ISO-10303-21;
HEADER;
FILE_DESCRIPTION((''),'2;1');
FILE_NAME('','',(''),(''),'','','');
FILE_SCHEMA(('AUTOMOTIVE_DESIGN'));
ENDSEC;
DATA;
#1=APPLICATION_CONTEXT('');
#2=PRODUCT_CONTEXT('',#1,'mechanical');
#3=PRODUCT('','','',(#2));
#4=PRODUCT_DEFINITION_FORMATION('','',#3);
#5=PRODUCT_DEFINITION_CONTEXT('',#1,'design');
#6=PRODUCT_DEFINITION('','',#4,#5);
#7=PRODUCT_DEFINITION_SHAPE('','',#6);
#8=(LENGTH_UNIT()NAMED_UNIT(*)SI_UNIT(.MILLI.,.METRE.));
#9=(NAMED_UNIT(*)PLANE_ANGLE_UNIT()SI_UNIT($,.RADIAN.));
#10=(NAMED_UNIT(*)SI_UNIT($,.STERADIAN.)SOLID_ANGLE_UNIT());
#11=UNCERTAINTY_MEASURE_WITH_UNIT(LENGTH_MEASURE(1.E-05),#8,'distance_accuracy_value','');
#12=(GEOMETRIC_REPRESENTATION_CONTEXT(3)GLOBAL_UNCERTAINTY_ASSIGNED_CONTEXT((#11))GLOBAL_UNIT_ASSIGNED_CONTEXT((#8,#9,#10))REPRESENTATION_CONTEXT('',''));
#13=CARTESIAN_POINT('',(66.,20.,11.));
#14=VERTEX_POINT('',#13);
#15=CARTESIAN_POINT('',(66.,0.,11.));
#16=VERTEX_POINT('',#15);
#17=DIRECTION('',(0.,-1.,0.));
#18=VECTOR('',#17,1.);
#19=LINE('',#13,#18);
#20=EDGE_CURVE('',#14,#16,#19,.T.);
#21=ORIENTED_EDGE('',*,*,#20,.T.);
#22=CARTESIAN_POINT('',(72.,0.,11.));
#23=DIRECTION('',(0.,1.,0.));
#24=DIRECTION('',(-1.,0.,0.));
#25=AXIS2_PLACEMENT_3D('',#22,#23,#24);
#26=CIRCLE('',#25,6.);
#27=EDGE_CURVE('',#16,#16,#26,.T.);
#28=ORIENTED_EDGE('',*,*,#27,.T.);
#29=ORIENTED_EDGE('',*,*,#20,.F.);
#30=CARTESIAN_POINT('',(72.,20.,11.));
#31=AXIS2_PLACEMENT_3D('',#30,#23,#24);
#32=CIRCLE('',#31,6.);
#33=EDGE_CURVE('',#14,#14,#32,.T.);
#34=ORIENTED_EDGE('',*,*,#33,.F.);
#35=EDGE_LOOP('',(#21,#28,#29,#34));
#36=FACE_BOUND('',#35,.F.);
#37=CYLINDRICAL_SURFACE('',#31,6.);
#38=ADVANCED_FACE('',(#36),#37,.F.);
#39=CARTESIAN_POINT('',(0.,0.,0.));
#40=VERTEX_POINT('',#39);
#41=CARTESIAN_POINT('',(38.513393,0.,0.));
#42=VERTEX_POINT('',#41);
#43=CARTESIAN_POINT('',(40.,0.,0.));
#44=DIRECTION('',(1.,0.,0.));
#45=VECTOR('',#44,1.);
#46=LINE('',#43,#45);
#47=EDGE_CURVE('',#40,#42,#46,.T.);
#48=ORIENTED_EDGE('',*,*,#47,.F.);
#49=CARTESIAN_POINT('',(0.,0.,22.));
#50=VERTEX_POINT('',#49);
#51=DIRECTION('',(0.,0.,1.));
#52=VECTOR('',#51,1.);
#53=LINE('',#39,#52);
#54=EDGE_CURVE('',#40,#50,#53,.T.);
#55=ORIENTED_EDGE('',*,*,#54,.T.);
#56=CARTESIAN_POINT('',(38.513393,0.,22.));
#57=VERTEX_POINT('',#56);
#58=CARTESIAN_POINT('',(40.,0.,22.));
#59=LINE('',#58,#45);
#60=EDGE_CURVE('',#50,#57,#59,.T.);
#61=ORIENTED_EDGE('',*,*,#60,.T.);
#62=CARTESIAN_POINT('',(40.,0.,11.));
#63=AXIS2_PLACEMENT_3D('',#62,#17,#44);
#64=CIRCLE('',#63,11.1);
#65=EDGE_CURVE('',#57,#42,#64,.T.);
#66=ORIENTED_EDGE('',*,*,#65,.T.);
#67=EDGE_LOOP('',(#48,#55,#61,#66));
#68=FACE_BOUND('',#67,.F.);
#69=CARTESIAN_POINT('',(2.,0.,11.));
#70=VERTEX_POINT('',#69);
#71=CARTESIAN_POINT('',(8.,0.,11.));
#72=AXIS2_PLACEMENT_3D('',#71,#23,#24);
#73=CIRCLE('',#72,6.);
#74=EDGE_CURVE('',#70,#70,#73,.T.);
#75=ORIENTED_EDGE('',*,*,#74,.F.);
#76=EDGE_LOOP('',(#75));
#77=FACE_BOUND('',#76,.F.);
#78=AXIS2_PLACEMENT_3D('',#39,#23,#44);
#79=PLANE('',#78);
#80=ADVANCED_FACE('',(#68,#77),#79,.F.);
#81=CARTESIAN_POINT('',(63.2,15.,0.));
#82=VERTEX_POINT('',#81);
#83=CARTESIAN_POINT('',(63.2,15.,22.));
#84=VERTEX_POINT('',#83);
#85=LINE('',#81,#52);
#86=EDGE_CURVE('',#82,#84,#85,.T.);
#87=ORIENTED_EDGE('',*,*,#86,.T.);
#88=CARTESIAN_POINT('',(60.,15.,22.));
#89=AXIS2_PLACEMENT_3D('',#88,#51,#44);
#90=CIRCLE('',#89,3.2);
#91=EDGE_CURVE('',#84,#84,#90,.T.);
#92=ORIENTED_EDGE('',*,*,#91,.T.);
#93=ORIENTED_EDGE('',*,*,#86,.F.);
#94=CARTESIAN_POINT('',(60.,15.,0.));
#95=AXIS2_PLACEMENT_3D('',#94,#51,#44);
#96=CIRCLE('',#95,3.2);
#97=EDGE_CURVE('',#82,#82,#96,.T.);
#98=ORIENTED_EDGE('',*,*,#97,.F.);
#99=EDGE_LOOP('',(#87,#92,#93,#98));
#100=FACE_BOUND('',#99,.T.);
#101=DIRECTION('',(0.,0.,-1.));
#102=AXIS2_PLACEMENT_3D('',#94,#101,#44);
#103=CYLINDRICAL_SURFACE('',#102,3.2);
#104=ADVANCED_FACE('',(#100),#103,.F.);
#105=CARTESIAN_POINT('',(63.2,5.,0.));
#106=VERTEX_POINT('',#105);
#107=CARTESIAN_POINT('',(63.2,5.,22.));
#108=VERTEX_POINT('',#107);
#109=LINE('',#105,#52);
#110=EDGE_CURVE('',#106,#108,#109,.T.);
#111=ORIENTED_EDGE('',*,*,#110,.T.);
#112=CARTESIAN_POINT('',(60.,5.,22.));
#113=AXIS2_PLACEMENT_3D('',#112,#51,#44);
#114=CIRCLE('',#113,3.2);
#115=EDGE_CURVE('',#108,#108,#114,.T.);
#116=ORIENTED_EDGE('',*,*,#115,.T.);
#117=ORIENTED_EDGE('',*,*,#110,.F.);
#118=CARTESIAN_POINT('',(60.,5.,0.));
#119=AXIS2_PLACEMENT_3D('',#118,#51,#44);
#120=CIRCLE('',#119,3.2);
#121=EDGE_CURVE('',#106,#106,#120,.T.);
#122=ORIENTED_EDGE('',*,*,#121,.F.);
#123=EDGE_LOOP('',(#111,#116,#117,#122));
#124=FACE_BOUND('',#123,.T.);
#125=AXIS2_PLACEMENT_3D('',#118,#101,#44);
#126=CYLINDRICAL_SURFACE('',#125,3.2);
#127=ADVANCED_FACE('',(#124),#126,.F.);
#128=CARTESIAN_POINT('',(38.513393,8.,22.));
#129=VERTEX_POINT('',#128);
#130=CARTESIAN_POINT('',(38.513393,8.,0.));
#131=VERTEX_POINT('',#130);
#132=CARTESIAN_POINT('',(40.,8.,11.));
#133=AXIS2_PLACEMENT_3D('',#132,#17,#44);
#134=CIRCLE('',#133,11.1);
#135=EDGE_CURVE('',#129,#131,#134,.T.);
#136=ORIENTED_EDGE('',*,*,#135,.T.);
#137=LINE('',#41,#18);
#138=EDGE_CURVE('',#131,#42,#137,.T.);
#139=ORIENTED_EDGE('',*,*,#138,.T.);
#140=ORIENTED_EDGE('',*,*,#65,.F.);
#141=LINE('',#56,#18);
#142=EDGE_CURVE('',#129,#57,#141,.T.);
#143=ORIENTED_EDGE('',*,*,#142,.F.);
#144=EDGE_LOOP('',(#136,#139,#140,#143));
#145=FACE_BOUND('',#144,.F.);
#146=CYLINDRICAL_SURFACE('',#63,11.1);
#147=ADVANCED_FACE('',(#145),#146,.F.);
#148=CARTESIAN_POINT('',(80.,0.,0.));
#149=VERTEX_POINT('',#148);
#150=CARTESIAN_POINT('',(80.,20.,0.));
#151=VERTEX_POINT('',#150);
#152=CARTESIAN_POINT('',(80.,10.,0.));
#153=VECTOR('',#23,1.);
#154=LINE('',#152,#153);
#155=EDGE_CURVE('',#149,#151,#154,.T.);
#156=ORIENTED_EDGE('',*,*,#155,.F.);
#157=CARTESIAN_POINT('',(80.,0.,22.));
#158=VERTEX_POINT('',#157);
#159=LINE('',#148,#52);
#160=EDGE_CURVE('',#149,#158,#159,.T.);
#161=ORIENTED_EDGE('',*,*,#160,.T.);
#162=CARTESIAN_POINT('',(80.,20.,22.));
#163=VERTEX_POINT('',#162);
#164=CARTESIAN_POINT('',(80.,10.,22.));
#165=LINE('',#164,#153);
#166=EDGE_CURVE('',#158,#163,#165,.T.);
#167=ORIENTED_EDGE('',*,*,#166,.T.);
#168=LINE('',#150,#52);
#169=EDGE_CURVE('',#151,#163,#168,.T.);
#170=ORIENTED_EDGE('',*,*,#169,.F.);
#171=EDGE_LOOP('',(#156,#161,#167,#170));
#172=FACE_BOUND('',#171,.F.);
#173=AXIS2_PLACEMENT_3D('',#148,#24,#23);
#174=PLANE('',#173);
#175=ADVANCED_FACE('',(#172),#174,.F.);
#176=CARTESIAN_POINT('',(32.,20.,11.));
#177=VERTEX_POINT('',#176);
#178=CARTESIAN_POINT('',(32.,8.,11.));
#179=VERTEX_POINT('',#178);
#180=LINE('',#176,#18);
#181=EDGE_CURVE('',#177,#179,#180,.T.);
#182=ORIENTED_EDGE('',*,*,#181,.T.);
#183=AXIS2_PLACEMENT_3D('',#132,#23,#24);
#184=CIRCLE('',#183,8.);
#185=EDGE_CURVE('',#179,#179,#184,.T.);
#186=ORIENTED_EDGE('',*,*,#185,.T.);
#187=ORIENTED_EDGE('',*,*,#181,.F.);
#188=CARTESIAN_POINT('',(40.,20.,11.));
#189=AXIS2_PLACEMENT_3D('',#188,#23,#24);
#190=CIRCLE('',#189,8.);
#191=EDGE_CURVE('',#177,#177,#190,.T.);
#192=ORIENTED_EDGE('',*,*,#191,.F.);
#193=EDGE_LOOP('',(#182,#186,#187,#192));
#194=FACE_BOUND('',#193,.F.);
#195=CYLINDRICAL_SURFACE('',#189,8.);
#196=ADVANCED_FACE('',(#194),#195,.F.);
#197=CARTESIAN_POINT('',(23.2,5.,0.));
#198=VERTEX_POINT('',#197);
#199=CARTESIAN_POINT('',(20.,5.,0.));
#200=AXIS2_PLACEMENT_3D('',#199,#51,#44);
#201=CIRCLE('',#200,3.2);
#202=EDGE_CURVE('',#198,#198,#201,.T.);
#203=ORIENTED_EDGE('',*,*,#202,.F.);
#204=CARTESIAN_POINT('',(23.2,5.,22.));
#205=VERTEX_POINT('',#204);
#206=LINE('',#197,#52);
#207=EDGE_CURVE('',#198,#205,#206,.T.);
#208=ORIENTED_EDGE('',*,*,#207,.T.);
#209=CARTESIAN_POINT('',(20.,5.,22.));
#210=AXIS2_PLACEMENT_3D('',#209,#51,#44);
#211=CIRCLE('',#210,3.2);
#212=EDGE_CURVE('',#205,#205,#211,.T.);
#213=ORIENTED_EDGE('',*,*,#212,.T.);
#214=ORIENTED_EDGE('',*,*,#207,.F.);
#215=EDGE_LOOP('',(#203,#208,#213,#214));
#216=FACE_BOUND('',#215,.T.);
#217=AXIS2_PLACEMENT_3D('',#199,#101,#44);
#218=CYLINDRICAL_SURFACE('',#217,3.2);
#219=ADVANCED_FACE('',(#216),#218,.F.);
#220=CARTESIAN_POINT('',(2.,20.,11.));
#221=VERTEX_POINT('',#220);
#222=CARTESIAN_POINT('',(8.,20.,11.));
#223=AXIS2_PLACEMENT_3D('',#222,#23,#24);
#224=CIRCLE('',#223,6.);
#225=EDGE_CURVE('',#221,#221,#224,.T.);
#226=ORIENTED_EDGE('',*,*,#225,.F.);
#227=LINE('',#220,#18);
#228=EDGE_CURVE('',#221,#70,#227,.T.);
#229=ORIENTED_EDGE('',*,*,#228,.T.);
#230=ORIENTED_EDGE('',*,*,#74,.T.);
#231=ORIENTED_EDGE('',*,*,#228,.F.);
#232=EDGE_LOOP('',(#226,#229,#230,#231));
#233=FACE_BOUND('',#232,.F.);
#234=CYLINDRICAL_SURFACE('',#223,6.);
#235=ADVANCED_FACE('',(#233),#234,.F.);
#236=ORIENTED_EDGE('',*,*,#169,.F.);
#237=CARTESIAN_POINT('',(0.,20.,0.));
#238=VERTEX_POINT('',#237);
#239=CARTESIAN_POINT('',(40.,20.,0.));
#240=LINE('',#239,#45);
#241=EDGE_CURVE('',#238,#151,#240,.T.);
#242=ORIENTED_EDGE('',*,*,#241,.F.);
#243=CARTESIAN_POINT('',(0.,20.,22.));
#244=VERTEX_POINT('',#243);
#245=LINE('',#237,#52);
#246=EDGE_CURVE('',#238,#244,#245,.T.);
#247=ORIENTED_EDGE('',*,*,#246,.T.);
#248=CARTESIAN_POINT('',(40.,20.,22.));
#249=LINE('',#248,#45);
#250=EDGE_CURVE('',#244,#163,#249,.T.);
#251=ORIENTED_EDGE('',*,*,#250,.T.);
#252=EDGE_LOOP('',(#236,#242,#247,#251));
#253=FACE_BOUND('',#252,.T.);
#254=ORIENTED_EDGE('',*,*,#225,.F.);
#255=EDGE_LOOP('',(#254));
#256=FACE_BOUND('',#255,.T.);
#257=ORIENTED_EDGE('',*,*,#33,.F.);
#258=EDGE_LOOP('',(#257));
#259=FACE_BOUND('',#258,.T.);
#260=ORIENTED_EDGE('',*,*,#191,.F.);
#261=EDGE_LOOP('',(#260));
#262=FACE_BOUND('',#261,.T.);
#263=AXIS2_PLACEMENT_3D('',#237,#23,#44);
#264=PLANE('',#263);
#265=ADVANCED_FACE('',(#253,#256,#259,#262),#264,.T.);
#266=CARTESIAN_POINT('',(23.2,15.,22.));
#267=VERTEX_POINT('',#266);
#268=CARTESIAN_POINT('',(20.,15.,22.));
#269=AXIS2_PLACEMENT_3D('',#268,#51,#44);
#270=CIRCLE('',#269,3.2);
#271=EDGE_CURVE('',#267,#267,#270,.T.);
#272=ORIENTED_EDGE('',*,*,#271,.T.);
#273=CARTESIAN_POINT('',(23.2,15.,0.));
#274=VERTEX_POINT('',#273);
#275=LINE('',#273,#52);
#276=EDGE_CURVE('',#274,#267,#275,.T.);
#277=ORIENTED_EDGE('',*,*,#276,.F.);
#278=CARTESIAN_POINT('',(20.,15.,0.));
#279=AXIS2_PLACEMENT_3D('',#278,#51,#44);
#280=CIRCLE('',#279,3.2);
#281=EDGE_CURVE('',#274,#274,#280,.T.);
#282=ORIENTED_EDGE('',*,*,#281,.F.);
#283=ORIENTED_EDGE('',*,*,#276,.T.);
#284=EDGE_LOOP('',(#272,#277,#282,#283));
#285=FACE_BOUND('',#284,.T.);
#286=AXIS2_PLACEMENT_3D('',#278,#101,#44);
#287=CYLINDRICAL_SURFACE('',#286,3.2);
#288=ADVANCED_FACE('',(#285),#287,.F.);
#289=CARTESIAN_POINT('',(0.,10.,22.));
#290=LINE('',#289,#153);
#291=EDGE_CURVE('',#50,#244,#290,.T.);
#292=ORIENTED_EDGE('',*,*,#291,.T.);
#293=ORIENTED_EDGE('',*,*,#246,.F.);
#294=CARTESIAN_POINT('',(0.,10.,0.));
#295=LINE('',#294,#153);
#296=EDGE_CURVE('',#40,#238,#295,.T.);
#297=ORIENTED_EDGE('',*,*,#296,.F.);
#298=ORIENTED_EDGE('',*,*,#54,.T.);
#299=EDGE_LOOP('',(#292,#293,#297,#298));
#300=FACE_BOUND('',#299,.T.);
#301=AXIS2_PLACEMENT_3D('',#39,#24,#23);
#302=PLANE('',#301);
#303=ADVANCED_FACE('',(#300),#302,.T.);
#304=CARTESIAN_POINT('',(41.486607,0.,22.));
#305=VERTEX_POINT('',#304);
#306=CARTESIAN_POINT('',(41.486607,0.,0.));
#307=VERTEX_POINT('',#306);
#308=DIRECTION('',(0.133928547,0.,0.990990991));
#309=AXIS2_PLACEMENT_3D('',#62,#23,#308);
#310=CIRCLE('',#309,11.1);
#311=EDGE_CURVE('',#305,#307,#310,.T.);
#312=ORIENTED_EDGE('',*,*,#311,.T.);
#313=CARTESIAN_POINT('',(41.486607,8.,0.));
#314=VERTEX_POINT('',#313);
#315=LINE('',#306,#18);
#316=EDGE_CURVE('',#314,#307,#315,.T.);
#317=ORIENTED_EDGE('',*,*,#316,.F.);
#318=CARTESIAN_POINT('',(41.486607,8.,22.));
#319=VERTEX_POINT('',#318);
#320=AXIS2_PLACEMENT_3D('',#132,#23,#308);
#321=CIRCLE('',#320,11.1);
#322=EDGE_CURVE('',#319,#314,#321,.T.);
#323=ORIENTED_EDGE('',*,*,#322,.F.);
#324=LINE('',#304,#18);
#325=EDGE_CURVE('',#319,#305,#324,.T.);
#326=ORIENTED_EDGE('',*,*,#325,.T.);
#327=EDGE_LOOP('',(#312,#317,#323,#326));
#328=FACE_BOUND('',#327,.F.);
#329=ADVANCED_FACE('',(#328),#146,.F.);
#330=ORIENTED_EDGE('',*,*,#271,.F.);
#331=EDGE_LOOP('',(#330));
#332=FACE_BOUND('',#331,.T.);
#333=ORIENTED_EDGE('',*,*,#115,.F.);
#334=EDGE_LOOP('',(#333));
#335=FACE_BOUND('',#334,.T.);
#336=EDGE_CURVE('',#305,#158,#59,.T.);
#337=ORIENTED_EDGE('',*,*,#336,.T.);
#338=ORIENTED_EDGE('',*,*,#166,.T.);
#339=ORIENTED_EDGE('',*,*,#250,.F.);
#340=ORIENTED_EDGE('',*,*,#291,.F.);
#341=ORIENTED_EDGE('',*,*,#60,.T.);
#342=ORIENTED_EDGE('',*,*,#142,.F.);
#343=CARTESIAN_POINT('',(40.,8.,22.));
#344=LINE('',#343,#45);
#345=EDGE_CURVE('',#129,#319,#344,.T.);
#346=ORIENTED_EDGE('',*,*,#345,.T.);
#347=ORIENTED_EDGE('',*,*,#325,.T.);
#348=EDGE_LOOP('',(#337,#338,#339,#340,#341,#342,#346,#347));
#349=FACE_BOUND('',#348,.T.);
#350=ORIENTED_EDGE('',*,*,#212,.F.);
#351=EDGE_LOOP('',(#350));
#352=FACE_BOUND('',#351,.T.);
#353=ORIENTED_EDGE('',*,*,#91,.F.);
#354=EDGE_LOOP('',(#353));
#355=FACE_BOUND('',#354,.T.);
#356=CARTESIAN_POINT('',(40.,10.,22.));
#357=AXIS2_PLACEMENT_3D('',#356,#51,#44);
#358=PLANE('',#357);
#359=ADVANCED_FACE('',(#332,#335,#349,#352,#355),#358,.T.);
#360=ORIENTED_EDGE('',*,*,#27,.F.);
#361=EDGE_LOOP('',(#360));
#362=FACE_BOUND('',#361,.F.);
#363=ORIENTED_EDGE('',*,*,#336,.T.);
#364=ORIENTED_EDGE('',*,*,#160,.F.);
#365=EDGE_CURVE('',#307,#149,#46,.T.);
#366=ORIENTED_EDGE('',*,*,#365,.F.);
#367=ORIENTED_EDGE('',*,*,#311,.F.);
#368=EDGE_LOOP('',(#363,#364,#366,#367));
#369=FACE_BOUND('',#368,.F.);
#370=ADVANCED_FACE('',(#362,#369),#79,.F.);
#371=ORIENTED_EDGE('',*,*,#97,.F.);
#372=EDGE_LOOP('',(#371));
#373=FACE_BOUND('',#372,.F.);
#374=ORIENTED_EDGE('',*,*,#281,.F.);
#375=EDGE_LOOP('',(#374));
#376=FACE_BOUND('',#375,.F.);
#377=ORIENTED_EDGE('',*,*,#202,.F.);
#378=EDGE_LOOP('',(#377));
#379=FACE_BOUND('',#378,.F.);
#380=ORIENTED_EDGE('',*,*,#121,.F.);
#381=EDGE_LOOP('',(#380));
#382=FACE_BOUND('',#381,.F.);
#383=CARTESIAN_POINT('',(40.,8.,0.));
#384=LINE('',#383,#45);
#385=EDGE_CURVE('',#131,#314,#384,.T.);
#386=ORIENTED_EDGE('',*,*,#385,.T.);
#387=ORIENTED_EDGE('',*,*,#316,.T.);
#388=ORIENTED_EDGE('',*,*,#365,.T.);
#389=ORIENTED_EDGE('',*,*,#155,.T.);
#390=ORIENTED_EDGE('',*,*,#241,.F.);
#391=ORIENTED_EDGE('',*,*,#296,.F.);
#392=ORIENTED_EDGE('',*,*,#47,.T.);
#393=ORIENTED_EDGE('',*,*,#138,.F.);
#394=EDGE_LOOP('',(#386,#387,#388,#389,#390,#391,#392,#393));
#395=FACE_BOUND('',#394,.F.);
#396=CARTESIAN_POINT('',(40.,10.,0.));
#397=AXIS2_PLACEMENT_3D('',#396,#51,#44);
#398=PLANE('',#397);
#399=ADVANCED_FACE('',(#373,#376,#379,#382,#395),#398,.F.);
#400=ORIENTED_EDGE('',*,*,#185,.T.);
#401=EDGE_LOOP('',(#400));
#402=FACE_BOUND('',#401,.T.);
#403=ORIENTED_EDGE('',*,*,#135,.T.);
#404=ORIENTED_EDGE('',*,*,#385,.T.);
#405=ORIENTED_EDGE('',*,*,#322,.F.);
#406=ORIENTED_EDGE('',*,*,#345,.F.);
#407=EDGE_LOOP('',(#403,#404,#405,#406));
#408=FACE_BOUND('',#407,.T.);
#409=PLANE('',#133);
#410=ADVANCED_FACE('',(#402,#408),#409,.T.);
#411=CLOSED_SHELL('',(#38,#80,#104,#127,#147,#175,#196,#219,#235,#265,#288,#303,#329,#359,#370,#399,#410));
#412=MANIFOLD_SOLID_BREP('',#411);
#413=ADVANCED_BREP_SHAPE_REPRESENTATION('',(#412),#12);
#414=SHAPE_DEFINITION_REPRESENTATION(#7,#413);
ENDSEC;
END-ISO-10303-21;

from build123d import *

# Parameters (mm, degrees)
SKETCH_W        = 80
SKETCH_H        = 20
SKETCH_R        = 3.2
PAD_DEPTH       = 22
SKETCH001_R     = 11.1
POCKET_DEPTH    = 8
SKETCH002_R     = 6
SKETCH002_R_2   = 8
POCKET001_DEPTH = 20


with BuildPart() as part:
    # Sketch → Pad (new body)
    with BuildSketch(Plane.XY):
        with Locations((40, 10)):
            Rectangle(SKETCH_W, SKETCH_H)
        with Locations((20, 15)):
            Circle(SKETCH_R, mode=Mode.SUBTRACT)
        with Locations((20, 5)):
            Circle(SKETCH_R, mode=Mode.SUBTRACT)
        with Locations((60, 15)):
            Circle(SKETCH_R, mode=Mode.SUBTRACT)
        with Locations((60, 5)):
            Circle(SKETCH_R, mode=Mode.SUBTRACT)
    extrude(amount=PAD_DEPTH)

    # Sketch001 (on Face3 of Pad) → Pocket (cut)
    with BuildSketch(Plane.XZ):
        with Locations((40, 11)):
            Circle(SKETCH001_R)
    extrude(amount=-POCKET_DEPTH, mode=Mode.SUBTRACT)

    # Sketch002 (on Face1 of Pocket) → Pocket001 (cut)
    with BuildSketch(Plane(origin=(0, 20, 0), x_dir=(-1, 0, 0), z_dir=(0, 1, 0))):
        with Locations((-72, 11)):
            Circle(SKETCH002_R)
        with Locations((-8, 11)):
            Circle(SKETCH002_R)
        with Locations((-40, 11)):
            Circle(SKETCH002_R_2)
    extrude(amount=-POCKET001_DEPTH, mode=Mode.SUBTRACT)


solid = part.part
